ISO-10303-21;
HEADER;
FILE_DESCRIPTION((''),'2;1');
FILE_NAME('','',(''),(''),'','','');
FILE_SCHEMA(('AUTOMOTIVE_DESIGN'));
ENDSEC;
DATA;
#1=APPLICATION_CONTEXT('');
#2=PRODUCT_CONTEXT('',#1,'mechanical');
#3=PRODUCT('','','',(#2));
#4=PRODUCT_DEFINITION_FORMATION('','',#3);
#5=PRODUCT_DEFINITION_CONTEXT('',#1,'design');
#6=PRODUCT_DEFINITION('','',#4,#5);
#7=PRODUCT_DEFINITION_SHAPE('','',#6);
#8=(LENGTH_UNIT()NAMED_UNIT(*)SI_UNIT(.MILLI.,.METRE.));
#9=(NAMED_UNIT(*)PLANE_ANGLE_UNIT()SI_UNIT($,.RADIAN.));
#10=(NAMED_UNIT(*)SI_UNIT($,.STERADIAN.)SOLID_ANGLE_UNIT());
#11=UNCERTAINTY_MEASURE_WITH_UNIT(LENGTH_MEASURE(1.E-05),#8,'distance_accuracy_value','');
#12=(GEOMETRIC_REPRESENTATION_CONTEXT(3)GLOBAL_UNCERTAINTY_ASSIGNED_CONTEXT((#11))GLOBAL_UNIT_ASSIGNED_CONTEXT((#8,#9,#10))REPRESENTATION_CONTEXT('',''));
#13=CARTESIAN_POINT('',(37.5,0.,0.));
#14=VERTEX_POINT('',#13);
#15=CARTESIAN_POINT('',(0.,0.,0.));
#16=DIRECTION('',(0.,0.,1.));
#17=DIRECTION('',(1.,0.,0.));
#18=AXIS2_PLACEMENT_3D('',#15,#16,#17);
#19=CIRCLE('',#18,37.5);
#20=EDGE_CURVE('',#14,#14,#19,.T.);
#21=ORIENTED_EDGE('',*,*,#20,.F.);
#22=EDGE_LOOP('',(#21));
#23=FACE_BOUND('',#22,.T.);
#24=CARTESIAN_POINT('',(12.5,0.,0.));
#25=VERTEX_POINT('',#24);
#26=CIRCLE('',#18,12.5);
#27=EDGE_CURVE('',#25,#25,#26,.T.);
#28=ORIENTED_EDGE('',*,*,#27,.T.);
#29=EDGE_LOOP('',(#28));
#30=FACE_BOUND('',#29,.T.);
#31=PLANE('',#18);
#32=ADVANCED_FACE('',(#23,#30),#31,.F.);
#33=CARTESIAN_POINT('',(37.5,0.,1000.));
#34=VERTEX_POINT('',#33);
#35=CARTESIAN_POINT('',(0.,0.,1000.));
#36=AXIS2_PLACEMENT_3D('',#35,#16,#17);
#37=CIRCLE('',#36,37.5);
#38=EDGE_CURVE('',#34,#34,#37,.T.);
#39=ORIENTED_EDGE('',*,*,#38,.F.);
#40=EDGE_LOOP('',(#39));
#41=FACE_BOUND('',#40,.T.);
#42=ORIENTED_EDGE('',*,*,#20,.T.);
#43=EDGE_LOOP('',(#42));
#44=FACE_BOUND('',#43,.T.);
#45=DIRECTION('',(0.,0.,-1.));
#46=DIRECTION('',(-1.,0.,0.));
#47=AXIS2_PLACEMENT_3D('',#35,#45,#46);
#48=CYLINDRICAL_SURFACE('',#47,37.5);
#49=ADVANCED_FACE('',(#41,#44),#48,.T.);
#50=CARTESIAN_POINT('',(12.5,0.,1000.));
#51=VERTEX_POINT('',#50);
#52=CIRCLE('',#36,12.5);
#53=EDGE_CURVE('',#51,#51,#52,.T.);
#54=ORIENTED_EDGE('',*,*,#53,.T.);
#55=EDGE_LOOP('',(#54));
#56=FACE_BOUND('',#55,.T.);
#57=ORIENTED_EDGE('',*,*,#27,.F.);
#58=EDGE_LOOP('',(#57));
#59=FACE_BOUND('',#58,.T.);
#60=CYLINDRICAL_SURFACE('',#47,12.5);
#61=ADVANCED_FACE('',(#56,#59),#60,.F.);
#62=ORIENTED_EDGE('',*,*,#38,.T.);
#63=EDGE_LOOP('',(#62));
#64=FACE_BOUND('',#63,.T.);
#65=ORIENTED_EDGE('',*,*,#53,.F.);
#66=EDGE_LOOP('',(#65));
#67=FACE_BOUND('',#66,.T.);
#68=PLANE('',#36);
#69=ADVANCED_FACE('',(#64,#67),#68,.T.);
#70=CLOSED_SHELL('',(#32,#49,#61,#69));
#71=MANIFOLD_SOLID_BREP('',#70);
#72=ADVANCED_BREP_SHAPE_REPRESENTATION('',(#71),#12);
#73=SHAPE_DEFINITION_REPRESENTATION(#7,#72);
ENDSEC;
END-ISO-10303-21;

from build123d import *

# Parameters (mm, degrees)
CROQUIS1_R              = 37.5
CROQUIS1_R_2            = 12.5
SALIENTE_EXTRUIR1_DEPTH = 1000


with BuildPart() as part:
    # Croquis1 → Saliente-Extruir1 (new body)
    with BuildSketch(Plane.XY):
        Circle(CROQUIS1_R)
        Circle(CROQUIS1_R_2, mode=Mode.SUBTRACT)
    extrude(amount=SALIENTE_EXTRUIR1_DEPTH)


solid = part.part
